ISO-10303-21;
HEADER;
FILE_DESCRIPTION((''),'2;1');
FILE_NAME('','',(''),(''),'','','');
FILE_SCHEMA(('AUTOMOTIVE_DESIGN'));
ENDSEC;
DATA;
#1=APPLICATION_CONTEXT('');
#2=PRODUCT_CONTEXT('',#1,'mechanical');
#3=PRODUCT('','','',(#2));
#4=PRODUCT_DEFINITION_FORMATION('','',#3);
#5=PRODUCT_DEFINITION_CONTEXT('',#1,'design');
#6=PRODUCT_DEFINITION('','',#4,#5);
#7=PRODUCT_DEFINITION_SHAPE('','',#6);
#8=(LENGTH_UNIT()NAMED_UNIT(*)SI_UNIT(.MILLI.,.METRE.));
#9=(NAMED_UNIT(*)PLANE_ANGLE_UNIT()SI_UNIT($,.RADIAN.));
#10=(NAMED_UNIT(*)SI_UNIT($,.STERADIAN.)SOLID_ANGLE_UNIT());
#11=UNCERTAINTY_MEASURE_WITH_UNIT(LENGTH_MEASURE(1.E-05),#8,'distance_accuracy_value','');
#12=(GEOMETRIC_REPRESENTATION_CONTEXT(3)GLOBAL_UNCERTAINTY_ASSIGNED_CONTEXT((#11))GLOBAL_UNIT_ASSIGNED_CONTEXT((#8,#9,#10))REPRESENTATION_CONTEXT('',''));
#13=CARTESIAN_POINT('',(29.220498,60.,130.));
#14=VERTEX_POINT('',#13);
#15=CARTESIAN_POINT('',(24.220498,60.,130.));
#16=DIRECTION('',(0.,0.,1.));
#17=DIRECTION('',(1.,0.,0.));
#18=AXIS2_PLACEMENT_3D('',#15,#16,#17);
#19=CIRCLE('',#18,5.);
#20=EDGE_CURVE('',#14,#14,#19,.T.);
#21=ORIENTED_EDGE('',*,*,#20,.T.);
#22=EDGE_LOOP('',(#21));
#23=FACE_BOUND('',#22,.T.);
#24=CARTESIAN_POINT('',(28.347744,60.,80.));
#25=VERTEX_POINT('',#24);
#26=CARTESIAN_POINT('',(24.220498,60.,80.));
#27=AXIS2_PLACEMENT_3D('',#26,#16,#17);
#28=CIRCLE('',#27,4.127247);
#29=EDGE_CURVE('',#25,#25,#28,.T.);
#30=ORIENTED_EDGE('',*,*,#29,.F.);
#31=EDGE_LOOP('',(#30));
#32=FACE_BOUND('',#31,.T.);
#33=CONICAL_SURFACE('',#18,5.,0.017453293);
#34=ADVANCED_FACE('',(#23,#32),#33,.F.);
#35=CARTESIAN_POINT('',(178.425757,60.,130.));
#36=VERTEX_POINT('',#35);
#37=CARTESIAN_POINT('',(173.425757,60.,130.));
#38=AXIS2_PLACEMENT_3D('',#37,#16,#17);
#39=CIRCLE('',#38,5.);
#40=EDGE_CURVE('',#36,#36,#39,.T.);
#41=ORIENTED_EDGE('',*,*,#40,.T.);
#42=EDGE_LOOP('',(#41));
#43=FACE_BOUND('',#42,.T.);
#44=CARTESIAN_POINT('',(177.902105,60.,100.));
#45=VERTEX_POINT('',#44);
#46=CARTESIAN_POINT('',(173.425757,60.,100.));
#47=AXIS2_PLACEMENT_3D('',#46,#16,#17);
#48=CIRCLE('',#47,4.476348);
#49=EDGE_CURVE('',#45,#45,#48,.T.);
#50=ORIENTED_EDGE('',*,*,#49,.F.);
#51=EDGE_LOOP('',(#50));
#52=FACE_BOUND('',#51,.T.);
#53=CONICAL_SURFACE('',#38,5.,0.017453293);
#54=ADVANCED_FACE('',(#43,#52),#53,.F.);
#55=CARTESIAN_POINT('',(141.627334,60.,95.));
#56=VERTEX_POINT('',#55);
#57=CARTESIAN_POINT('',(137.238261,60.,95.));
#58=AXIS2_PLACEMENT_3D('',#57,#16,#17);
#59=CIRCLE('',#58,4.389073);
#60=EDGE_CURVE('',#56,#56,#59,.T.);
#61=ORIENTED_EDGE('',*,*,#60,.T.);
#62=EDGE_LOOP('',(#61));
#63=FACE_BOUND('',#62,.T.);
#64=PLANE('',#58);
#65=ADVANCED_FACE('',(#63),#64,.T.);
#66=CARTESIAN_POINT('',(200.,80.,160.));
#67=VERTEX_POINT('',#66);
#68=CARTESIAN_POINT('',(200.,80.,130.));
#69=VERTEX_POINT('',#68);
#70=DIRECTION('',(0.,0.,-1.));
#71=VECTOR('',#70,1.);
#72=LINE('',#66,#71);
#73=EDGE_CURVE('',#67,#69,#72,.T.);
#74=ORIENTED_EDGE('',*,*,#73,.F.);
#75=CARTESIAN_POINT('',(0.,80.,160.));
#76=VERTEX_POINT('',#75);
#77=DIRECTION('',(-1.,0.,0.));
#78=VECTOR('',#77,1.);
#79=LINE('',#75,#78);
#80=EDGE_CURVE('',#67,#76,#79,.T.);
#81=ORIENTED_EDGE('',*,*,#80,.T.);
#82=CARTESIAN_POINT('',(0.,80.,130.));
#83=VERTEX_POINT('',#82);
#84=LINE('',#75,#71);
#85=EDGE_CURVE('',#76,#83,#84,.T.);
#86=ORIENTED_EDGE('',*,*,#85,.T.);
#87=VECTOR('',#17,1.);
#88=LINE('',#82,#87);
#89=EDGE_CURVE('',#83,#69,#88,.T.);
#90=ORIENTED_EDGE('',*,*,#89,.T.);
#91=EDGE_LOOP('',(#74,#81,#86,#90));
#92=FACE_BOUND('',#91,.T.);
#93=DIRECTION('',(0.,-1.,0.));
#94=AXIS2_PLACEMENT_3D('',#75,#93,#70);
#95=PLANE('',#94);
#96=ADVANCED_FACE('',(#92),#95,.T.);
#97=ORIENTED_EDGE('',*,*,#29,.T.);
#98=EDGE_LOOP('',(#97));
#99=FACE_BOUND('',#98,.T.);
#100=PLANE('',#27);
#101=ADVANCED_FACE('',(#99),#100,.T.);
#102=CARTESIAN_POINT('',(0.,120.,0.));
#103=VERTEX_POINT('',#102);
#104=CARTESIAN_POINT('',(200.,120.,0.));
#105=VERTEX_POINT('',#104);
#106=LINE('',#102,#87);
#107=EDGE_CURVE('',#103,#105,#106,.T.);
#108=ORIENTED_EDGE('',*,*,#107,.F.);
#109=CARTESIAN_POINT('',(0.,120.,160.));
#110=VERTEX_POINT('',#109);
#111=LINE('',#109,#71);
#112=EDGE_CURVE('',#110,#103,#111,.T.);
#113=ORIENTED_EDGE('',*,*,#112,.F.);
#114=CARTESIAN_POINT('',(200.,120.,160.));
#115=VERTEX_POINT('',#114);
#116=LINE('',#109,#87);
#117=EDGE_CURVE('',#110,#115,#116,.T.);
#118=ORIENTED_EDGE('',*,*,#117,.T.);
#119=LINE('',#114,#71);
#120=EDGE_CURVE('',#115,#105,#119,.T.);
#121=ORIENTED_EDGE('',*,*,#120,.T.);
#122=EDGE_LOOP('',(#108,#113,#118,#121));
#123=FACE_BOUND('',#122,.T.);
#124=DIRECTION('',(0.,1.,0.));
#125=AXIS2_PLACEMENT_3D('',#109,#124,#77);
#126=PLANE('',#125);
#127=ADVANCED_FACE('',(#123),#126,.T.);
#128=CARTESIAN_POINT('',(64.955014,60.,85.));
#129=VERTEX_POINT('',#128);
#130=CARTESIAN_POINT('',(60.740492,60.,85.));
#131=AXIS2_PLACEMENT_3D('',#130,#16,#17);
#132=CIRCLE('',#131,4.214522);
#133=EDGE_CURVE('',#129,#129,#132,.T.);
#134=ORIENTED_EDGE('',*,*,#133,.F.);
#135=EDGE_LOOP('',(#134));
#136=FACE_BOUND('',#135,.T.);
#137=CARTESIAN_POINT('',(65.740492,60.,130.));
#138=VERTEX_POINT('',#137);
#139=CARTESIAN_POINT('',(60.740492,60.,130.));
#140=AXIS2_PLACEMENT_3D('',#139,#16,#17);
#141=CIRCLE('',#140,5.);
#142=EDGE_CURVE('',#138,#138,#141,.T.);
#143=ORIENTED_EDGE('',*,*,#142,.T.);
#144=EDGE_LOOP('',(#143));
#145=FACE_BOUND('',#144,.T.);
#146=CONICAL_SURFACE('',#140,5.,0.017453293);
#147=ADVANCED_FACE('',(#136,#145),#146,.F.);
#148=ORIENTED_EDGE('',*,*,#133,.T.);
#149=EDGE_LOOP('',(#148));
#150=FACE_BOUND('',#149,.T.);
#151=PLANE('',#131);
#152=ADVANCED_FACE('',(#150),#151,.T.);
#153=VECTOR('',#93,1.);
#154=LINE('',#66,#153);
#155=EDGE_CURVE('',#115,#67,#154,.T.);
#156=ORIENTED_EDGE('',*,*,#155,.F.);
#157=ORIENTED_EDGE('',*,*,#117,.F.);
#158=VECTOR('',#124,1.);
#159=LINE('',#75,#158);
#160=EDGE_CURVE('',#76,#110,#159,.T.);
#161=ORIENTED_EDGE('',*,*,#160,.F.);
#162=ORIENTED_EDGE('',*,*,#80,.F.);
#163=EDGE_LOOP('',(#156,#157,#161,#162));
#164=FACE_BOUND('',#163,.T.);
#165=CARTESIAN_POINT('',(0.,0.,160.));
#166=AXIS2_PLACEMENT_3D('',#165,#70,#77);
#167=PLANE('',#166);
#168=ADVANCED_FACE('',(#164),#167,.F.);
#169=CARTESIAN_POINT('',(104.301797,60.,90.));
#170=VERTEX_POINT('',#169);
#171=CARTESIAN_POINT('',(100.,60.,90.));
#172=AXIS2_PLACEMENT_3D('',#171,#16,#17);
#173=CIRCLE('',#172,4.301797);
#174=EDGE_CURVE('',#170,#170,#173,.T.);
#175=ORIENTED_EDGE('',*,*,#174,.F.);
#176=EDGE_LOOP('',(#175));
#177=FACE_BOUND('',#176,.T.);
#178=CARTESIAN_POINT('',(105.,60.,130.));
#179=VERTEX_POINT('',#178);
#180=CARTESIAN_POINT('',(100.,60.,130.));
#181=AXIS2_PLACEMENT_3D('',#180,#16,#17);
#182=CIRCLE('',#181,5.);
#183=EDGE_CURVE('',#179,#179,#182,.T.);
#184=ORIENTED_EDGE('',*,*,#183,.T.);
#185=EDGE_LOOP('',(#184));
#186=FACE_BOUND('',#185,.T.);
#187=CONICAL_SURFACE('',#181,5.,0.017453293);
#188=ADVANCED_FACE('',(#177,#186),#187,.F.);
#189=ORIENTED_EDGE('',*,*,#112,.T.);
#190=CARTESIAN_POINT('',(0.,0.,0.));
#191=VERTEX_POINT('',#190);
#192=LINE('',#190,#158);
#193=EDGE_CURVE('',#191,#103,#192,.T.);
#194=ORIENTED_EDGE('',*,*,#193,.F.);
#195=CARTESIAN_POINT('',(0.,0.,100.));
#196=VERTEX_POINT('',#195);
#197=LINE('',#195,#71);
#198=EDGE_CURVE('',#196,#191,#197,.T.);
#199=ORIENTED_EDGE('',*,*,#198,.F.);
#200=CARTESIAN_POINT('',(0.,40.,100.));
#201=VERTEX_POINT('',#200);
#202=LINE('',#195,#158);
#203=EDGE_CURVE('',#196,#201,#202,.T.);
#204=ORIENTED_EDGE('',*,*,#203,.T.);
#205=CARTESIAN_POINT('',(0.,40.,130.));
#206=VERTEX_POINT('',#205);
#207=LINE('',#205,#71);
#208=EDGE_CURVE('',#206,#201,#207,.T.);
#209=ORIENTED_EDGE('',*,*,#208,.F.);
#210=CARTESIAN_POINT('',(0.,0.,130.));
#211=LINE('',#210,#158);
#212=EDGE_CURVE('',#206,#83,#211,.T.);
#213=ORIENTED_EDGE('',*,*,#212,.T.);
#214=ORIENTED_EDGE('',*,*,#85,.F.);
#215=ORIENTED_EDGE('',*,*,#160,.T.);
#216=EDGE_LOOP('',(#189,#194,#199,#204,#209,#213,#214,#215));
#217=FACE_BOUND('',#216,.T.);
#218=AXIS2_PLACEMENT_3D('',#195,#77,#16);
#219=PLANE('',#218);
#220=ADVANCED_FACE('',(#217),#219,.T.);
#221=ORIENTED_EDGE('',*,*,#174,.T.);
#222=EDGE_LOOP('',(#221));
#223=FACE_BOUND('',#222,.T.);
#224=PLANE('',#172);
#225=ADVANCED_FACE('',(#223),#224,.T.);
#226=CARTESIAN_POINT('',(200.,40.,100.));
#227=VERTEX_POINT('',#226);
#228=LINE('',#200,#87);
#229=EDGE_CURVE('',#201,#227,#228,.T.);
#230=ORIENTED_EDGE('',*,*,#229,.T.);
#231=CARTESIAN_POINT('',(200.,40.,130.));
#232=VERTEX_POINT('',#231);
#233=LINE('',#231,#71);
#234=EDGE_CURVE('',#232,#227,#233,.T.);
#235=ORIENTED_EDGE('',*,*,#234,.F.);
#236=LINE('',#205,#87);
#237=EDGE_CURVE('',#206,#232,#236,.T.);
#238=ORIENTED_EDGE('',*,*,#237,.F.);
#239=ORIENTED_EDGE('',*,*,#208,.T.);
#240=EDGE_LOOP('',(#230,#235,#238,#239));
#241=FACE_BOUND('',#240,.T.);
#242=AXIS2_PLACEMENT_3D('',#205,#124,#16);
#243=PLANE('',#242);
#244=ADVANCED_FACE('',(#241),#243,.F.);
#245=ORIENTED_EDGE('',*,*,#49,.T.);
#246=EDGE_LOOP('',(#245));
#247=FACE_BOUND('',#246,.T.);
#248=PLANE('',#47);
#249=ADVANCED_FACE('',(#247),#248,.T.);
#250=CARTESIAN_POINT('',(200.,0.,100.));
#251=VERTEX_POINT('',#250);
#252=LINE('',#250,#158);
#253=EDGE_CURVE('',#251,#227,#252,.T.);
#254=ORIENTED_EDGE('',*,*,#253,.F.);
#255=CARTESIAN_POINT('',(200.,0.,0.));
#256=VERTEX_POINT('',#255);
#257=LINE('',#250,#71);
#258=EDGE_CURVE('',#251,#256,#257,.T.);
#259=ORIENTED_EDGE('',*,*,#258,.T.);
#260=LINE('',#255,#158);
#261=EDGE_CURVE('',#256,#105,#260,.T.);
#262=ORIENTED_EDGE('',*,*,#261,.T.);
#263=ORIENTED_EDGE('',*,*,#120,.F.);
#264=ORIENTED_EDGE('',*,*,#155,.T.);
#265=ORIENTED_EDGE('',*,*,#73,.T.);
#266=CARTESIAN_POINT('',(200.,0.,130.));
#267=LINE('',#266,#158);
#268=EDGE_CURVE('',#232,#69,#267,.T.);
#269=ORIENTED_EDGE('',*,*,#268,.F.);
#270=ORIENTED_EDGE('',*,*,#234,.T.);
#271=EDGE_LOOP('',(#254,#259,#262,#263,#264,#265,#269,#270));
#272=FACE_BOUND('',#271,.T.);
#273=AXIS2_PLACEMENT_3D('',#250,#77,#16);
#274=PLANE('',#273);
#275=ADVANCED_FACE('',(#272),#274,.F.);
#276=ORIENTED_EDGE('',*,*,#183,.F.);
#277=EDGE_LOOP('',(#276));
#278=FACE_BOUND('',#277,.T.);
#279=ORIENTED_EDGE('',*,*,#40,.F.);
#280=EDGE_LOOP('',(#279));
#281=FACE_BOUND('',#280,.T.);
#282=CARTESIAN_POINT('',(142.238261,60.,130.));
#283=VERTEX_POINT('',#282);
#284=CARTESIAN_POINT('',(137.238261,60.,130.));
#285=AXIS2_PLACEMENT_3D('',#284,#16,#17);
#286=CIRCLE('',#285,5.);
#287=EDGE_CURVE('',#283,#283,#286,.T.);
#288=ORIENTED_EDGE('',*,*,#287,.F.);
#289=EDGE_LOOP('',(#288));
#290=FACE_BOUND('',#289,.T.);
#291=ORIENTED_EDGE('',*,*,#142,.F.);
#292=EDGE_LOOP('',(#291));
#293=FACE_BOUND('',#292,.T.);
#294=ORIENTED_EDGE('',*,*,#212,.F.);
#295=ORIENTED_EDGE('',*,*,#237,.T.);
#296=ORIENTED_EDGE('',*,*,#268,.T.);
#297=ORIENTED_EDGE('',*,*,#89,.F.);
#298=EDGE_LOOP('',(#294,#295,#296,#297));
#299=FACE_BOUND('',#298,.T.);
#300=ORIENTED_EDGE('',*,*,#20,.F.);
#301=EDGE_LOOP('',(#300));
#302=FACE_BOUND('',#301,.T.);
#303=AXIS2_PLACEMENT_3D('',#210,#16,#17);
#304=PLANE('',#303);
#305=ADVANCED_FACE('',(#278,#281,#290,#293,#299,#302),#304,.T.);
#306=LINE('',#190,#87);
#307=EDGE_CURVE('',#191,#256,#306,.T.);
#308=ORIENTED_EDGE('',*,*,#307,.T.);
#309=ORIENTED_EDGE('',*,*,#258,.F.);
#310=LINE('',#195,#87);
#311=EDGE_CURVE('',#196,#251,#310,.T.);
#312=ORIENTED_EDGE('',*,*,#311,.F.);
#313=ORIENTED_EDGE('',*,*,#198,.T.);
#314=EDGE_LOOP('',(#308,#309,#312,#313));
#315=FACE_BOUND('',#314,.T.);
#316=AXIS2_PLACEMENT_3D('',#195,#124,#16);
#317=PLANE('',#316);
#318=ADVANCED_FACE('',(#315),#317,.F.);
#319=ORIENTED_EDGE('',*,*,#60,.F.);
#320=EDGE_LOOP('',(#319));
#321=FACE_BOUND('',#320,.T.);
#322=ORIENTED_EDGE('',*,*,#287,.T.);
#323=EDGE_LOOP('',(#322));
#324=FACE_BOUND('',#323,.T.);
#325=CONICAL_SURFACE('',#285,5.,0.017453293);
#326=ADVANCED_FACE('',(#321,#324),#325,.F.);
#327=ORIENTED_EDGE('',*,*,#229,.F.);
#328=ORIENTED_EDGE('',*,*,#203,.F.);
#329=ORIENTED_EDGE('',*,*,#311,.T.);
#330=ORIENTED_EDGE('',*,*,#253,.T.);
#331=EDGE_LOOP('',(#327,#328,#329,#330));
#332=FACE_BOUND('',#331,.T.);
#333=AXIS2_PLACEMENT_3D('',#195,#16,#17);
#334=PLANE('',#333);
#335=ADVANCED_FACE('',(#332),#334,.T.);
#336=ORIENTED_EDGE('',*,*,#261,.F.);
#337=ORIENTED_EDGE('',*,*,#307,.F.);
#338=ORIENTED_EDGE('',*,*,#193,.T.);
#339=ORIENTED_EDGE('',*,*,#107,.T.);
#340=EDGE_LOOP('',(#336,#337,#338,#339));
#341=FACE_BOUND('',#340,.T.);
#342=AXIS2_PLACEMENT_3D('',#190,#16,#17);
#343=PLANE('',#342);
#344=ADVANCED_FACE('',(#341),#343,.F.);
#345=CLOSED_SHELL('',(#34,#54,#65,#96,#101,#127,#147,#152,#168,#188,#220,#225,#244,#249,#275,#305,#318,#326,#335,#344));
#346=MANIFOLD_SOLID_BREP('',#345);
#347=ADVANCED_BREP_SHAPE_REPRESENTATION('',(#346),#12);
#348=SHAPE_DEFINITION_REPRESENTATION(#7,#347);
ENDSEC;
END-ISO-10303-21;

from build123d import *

# Parameters (mm, degrees)
SKETCH_1_W           = 200
SKETCH_1_H           = 40
EXTRUDE_1_DEPTH      = 100
SKETCH_1_3_W         = 200
SKETCH_1_3_H         = 40
EXTRUDE_2_DEPTH      = 130
SKETCH_10_W          = 200
SKETCH_10_H          = 40
EXTRUDE_3_DEPTH      = 160
SKETCH_12_R          = 5
CUT_EXTRUDE_8_DEPTH  = 50
CUT_EXTRUDE_8_DRAFT  = -1
SKETCH_12_5_R        = 5
CUT_EXTRUDE_9_DEPTH  = 45
CUT_EXTRUDE_9_DRAFT  = -1
SKETCH_12_6_R        = 5
CUT_EXTRUDE_10_DEPTH = 40
CUT_EXTRUDE_10_DRAFT = -1
SKETCH_12_7_R        = 5
CUT_EXTRUDE_11_DEPTH = 35
CUT_EXTRUDE_11_DRAFT = -1
SKETCH_12_8_R        = 5
CUT_EXTRUDE_12_DEPTH = 30
CUT_EXTRUDE_12_DRAFT = -1


with BuildPart() as part:
    # Эскиз1 → Бобышка-Вытянуть1 (new body)
    with BuildSketch(Plane.XY):
        with Locations((100, 20)):
            Rectangle(SKETCH_1_W, SKETCH_1_H)
    extrude(amount=EXTRUDE_1_DEPTH)

    # Эскиз1<3> → Бобышка-Вытянуть2 (add)
    with BuildSketch(Plane.XY):
        with Locations((100, 60)):
            Rectangle(SKETCH_1_3_W, SKETCH_1_3_H)
    extrude(amount=EXTRUDE_2_DEPTH)

    # Эскиз10 → Бобышка-Вытянуть3 (add)
    with BuildSketch(Plane(origin=(0, 0, 0), x_dir=(-1, 0, 0), z_dir=(0, 0, -1))):
        with Locations((-100, 100)):
            Rectangle(SKETCH_10_W, SKETCH_10_H)
    extrude(amount=-EXTRUDE_3_DEPTH)


with BuildPart() as cut_extrude_8_tool:
    # Эскиз12 → Вырез-Вытянуть8 (with draft: the straight prism first)
    with BuildSketch(Plane.XY.offset(130)):
        with Locations((24.220497744, 60)):
            Circle(SKETCH_12_R)
    extrude(amount=-CUT_EXTRUDE_8_DEPTH)
    # Вырез-Вытянуть8: the draft: its side faces are tilted about the plane it starts from
    cut_extrude_8_sides = [cut_extrude_8_tool.faces().sort_by_distance(p)[0] for p in [
        (19.220497744, 60, 105),
    ]]
    draft(cut_extrude_8_sides, Plane.XY.offset(130), CUT_EXTRUDE_8_DRAFT)


with BuildPart() as part_1:
    add(part.part)

    # Вырез-Вытянуть8: cut by cut_extrude_8_tool
    add(cut_extrude_8_tool.part, mode=Mode.SUBTRACT)


with BuildPart() as cut_extrude_9_tool:
    # Эскиз12<5> → Вырез-Вытянуть9 (with draft: the straight prism first)
    with BuildSketch(Plane.XY.offset(130)):
        with Locations((60.740492413, 60)):
            Circle(SKETCH_12_5_R)
    extrude(amount=-CUT_EXTRUDE_9_DEPTH)
    # Вырез-Вытянуть9: the draft: its side faces are tilted about the plane it starts from
    cut_extrude_9_sides = [cut_extrude_9_tool.faces().sort_by_distance(p)[0] for p in [
        (55.740492413, 60, 107.5),
    ]]
    draft(cut_extrude_9_sides, Plane.XY.offset(130), CUT_EXTRUDE_9_DRAFT)


with BuildPart() as part_2:
    add(part_1.part)

    # Вырез-Вытянуть9: cut by cut_extrude_9_tool
    add(cut_extrude_9_tool.part, mode=Mode.SUBTRACT)


with BuildPart() as cut_extrude_10_tool:
    # Эскиз12<6> → Вырез-Вытянуть10 (with draft: the straight prism first)
    with BuildSketch(Plane.XY.offset(130)):
        with Locations((100, 60)):
            Circle(SKETCH_12_6_R)
    extrude(amount=-CUT_EXTRUDE_10_DEPTH)
    # Вырез-Вытянуть10: the draft: its side faces are tilted about the plane it starts from
    cut_extrude_10_sides = [cut_extrude_10_tool.faces().sort_by_distance(p)[0] for p in [
        (95, 60, 110),
    ]]
    draft(cut_extrude_10_sides, Plane.XY.offset(130), CUT_EXTRUDE_10_DRAFT)


with BuildPart() as part_3:
    add(part_2.part)

    # Вырез-Вытянуть10: cut by cut_extrude_10_tool
    add(cut_extrude_10_tool.part, mode=Mode.SUBTRACT)


with BuildPart() as cut_extrude_11_tool:
    # Эскиз12<7> → Вырез-Вытянуть11 (with draft: the straight prism first)
    with BuildSketch(Plane.XY.offset(130)):
        with Locations((137.238261218, 60)):
            Circle(SKETCH_12_7_R)
    extrude(amount=-CUT_EXTRUDE_11_DEPTH)
    # Вырез-Вытянуть11: the draft: its side faces are tilted about the plane it starts from
    cut_extrude_11_sides = [cut_extrude_11_tool.faces().sort_by_distance(p)[0] for p in [
        (132.238261218, 60, 112.5),
    ]]
    draft(cut_extrude_11_sides, Plane.XY.offset(130), CUT_EXTRUDE_11_DRAFT)


with BuildPart() as part_4:
    add(part_3.part)

    # Вырез-Вытянуть11: cut by cut_extrude_11_tool
    add(cut_extrude_11_tool.part, mode=Mode.SUBTRACT)


with BuildPart() as cut_extrude_12_tool:
    # Эскиз12<8> → Вырез-Вытянуть12 (with draft: the straight prism first)
    with BuildSketch(Plane.XY.offset(130)):
        with Locations((173.42575674, 60)):
            Circle(SKETCH_12_8_R)
    extrude(amount=-CUT_EXTRUDE_12_DEPTH)
    # Вырез-Вытянуть12: the draft: its side faces are tilted about the plane it starts from
    cut_extrude_12_sides = [cut_extrude_12_tool.faces().sort_by_distance(p)[0] for p in [
        (168.42575674, 60, 115),
    ]]
    draft(cut_extrude_12_sides, Plane.XY.offset(130), CUT_EXTRUDE_12_DRAFT)


with BuildPart() as part_5:
    add(part_4.part)

    # Вырез-Вытянуть12: cut by cut_extrude_12_tool
    add(cut_extrude_12_tool.part, mode=Mode.SUBTRACT)


solid = part_5.part
